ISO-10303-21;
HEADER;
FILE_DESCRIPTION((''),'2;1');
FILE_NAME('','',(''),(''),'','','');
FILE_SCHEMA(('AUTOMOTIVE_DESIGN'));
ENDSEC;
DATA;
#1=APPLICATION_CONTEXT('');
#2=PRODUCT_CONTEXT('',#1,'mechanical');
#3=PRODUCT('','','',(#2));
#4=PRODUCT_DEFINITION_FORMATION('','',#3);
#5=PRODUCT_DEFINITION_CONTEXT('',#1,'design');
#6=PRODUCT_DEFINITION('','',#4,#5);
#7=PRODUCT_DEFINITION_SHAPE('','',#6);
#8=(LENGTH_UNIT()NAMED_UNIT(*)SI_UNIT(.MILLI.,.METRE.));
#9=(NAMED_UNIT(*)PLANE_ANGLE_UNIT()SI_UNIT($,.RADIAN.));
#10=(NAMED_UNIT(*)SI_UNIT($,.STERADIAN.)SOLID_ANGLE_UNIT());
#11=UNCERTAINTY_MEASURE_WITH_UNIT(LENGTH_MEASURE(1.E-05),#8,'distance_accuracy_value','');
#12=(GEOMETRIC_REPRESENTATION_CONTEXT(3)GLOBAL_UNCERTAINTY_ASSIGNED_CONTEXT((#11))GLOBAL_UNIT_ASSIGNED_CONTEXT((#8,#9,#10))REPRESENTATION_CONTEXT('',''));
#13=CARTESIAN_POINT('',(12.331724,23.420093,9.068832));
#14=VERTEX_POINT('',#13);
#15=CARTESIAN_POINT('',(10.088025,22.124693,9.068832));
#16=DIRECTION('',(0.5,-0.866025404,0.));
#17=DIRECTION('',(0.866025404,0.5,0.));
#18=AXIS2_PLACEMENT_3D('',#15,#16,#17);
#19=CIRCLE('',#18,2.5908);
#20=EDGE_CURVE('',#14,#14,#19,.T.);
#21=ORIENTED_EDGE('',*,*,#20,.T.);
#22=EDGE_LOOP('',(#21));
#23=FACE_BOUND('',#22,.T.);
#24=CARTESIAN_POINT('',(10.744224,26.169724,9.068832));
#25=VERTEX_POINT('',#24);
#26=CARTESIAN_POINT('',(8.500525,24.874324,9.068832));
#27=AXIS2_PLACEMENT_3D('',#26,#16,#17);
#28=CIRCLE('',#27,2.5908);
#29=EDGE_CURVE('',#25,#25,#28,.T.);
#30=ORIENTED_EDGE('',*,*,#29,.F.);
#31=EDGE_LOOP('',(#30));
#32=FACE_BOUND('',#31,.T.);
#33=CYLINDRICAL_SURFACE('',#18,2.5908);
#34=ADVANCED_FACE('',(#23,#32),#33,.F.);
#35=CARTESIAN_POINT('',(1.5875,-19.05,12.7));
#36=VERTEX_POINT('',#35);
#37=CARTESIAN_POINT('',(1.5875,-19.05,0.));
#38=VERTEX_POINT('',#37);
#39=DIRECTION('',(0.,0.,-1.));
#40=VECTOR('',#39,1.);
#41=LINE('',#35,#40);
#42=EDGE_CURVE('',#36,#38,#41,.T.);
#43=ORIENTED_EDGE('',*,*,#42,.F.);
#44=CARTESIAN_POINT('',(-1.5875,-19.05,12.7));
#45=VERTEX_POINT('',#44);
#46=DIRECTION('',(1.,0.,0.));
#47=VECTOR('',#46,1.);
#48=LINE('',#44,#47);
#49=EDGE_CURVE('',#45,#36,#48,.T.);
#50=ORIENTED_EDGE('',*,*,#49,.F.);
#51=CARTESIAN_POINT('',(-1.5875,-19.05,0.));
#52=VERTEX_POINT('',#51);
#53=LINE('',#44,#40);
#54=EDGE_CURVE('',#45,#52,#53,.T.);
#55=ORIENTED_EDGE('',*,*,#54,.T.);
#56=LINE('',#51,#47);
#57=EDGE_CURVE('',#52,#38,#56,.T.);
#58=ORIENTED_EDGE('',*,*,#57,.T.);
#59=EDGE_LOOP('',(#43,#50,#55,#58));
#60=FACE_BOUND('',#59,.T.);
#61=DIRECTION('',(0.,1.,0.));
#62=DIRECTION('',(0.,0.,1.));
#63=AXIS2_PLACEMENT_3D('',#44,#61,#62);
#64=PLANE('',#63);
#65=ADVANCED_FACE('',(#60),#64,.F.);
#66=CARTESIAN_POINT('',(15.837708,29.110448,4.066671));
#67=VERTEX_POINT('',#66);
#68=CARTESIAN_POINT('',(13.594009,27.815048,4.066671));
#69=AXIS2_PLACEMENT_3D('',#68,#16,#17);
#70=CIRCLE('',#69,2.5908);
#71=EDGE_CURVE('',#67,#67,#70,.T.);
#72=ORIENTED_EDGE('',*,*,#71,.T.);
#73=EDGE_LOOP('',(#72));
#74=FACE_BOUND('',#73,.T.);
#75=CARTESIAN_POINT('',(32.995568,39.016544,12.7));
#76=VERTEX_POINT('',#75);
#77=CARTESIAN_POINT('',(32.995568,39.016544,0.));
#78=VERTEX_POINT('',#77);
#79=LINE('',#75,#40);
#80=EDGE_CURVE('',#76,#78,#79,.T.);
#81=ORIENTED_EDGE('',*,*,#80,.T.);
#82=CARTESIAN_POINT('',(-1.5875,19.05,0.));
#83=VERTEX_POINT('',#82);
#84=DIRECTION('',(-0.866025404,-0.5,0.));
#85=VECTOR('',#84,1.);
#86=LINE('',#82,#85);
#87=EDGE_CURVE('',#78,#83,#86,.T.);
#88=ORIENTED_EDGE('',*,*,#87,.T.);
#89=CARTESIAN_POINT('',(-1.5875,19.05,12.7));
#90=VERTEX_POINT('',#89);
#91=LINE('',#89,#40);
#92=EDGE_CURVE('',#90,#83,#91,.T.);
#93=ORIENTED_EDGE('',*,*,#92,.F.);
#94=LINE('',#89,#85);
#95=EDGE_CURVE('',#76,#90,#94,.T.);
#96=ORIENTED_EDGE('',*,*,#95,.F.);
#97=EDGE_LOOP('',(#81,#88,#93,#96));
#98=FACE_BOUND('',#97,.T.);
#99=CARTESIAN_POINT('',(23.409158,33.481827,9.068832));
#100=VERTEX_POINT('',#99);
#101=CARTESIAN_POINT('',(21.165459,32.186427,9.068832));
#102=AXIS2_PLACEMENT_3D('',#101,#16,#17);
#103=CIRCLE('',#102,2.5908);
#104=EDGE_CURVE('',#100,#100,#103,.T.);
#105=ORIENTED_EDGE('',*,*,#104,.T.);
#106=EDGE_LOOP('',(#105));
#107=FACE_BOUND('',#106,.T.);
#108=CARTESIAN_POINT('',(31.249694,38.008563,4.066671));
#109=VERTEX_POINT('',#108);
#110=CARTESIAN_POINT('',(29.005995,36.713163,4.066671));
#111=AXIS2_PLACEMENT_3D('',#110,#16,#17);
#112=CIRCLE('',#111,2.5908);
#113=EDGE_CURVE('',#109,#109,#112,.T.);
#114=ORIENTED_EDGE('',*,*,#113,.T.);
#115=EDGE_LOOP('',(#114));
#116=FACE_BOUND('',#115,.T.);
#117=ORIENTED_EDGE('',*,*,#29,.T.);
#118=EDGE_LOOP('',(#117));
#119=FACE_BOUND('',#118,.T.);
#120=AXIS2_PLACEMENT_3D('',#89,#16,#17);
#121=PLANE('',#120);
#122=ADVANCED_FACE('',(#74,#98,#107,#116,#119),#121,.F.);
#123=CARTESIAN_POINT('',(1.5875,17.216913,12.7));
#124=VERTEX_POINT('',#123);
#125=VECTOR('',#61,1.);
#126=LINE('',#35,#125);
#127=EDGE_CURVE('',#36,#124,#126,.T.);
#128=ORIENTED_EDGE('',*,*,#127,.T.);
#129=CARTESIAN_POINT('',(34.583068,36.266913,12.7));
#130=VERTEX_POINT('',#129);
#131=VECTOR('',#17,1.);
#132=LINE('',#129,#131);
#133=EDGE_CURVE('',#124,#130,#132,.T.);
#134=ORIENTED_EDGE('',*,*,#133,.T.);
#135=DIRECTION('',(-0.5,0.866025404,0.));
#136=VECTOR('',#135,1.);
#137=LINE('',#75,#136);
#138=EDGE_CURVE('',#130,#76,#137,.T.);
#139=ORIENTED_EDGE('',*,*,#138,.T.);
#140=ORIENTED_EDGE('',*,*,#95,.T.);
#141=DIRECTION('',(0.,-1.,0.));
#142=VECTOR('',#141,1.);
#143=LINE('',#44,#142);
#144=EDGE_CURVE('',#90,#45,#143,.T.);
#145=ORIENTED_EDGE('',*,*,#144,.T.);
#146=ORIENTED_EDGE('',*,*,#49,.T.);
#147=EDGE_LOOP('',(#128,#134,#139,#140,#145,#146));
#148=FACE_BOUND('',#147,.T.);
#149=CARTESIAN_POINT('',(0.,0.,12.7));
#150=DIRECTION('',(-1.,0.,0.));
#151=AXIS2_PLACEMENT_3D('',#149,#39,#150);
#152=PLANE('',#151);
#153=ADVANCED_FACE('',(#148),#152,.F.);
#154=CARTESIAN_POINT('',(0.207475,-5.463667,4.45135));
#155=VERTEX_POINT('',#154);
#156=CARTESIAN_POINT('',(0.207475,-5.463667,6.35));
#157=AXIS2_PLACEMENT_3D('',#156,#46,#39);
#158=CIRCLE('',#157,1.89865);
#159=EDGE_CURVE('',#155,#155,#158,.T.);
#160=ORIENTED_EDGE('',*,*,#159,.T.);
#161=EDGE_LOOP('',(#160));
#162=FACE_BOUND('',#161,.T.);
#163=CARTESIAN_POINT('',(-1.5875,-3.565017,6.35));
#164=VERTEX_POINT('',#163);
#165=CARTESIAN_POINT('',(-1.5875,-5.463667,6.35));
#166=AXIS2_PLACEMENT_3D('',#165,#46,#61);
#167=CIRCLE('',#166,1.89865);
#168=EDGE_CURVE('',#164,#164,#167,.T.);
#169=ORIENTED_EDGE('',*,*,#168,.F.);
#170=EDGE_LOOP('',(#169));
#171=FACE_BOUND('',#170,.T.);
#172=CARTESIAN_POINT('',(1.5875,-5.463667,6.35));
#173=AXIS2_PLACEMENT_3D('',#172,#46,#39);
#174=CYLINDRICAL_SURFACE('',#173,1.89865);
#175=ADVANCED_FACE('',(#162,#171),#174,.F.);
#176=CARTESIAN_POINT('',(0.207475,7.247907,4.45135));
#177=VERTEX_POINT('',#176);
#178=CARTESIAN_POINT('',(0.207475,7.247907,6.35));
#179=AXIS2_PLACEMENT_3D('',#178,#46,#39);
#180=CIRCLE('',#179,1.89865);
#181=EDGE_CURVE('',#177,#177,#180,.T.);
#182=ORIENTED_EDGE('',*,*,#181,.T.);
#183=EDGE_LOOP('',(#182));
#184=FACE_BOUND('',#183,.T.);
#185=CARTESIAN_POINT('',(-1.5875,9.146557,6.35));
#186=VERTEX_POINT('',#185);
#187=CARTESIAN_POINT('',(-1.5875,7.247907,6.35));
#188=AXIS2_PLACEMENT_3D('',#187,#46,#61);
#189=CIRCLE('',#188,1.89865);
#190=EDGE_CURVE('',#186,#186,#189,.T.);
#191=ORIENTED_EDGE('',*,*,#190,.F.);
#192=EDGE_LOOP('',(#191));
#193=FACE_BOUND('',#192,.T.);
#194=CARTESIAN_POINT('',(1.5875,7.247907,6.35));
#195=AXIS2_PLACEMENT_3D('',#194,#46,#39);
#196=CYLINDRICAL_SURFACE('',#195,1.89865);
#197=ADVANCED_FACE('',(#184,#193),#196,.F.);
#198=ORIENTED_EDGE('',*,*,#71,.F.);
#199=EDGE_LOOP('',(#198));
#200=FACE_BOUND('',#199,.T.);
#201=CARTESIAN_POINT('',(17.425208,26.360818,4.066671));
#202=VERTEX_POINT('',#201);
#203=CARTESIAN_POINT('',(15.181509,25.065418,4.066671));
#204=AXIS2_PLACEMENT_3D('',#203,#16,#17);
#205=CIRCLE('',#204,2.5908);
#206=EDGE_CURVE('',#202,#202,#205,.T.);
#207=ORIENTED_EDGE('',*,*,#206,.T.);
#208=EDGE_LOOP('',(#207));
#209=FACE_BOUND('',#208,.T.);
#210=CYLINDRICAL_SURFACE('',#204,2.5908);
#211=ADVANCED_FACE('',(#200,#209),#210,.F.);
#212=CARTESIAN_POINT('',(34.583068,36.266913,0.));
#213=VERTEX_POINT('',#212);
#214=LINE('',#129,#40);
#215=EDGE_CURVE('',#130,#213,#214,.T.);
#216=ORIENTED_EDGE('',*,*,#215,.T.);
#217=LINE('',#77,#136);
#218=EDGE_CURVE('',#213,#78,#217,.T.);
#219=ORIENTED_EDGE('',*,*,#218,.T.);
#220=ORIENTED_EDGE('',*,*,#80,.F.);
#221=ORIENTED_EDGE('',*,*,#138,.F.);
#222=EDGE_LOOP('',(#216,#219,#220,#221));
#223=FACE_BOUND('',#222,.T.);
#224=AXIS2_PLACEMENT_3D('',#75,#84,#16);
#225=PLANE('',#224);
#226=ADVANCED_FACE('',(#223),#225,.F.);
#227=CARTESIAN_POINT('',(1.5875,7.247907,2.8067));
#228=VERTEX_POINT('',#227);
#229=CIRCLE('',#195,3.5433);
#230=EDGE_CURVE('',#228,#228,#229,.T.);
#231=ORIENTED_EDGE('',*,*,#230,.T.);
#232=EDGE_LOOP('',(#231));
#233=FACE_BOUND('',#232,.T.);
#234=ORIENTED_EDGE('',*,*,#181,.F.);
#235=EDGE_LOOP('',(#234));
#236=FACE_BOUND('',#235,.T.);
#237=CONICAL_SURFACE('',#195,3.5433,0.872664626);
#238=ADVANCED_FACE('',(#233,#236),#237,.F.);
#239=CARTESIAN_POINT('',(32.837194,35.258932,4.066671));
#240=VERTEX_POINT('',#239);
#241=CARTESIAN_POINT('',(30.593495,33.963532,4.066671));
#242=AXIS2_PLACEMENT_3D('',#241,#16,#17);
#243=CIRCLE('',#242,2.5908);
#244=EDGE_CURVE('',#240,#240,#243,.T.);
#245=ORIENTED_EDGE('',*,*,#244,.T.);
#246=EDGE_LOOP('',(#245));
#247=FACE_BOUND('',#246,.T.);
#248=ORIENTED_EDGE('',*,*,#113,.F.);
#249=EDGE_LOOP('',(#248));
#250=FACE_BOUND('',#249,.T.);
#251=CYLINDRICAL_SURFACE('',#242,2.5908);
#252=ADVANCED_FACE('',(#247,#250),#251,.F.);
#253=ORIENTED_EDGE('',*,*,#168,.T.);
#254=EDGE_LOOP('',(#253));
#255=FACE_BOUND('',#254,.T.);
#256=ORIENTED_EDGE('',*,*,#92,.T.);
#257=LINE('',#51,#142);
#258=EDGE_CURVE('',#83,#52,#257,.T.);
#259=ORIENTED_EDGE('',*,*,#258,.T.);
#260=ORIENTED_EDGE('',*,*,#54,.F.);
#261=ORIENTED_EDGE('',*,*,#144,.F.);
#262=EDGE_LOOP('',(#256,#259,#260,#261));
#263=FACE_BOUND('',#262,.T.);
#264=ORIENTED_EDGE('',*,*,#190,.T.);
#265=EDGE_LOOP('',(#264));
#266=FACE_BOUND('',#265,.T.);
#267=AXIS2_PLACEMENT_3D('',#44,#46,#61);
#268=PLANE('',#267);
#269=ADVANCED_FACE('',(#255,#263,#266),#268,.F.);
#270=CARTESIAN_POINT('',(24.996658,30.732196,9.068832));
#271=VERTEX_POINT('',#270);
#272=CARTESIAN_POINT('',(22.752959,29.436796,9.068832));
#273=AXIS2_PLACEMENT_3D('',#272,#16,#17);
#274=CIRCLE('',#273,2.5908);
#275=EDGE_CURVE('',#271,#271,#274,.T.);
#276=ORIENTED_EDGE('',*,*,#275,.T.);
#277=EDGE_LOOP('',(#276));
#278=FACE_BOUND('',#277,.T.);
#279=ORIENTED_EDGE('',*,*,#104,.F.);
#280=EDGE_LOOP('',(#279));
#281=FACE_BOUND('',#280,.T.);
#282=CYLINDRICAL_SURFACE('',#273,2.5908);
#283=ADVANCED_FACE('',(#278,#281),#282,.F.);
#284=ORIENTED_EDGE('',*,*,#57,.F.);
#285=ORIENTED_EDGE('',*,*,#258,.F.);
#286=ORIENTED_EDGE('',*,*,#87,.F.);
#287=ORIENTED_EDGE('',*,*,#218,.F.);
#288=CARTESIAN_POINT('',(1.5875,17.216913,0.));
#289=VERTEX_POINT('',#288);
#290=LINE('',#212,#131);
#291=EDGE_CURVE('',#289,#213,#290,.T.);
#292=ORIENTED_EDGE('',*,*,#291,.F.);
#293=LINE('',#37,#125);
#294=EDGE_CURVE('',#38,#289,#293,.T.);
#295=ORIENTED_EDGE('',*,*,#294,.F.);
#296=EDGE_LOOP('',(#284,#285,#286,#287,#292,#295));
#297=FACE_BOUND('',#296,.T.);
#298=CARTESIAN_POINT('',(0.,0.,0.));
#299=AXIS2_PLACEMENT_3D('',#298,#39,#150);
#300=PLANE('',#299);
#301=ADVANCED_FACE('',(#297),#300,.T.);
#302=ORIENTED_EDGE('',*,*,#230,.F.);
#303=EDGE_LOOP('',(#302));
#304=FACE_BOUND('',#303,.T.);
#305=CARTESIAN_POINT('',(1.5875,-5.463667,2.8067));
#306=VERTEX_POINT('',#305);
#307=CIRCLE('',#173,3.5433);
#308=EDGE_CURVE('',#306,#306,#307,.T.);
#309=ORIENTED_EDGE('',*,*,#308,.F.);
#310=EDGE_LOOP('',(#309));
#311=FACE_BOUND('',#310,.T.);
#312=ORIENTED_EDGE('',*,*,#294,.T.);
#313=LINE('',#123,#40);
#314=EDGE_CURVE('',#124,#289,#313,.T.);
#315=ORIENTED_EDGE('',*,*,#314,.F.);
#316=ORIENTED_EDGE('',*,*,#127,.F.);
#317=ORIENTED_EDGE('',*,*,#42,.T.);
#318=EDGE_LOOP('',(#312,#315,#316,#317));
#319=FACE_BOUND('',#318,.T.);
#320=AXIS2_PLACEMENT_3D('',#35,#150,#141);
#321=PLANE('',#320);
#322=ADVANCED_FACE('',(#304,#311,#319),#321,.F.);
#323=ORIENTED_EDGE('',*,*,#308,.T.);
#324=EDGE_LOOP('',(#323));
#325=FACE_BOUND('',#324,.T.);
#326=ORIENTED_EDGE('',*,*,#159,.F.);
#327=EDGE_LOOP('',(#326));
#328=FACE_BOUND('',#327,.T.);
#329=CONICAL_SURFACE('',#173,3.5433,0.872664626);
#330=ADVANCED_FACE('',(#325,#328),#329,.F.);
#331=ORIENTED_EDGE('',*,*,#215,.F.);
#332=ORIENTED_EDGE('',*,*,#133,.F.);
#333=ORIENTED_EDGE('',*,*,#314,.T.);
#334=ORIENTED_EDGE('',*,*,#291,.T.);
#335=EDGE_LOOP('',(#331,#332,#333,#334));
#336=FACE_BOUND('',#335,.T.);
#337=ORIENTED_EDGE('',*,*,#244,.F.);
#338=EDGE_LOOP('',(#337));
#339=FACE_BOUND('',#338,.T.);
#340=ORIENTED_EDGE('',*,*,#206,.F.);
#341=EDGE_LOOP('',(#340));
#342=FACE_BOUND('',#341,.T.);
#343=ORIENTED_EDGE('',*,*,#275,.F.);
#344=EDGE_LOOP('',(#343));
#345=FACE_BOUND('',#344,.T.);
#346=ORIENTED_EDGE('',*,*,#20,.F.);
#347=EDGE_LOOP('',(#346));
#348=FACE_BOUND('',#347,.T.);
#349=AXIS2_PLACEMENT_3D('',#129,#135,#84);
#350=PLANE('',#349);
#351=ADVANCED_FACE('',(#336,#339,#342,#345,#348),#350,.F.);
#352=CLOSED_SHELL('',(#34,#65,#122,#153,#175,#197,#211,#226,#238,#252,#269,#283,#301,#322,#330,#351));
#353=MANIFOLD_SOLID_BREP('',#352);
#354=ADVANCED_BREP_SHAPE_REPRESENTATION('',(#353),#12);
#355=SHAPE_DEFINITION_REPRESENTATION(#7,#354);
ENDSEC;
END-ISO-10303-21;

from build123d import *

# Parameters (mm, degrees)
BOSS_EXTRUDE1_DEPTH                               = 12.7
CSK_FOR_6_FLAT_HEAD_MACHINE_SCREW_100_D           = 3.7973
CSK_FOR_6_FLAT_HEAD_MACHINE_SCREW_100_DEPTH       = 12.7
CSK_FOR_6_FLAT_HEAD_MACHINE_SCREW_100_CSINK_D     = 7.0866
CSK_FOR_6_FLAT_HEAD_MACHINE_SCREW_100_CSINK_ANGLE = 100
CSK_FOR_6_FLAT_HEAD_MACHINE_SCREW_100_TIP         = 1.140824014
F_6_0_204_DIAMETER_HOLE1_D                        = 5.1816
F_6_0_204_DIAMETER_HOLE1_DEPTH                    = 12.7
F_6_0_204_DIAMETER_HOLE1_TIP                      = 1.556709692


with BuildPart() as part:
    # Sketch1 → Boss-Extrude1 (new body)
    with BuildSketch(Plane.XY):
        Polygon((-1.5875, 19.05), (32.995567884, 39.016543552), (34.583067884, 36.266912895), (1.5875, 17.216912895), (1.5875, -19.05), (-1.5875, -19.05), align=None)
    extrude(amount=BOSS_EXTRUDE1_DEPTH)

    # CSK for #6 Flat Head Machine Screw (100)1
    with Locations(Plane(origin=(1.5875, 0, 0), x_dir=(0, 0, -1), z_dir=(1, 0, 0))):
        with Locations((-6.35, 7.247907124), (-6.35, -5.463667213)):
            CounterSinkHole(CSK_FOR_6_FLAT_HEAD_MACHINE_SCREW_100_D / 2, CSK_FOR_6_FLAT_HEAD_MACHINE_SCREW_100_CSINK_D / 2, depth=CSK_FOR_6_FLAT_HEAD_MACHINE_SCREW_100_DEPTH, counter_sink_angle=CSK_FOR_6_FLAT_HEAD_MACHINE_SCREW_100_CSINK_ANGLE)
            with Locations((0, 0, -(CSK_FOR_6_FLAT_HEAD_MACHINE_SCREW_100_DEPTH + CSK_FOR_6_FLAT_HEAD_MACHINE_SCREW_100_TIP / 2))):  # 118° drill point
                Cone(0, CSK_FOR_6_FLAT_HEAD_MACHINE_SCREW_100_D / 2, CSK_FOR_6_FLAT_HEAD_MACHINE_SCREW_100_TIP, mode=Mode.SUBTRACT)

    # #6 (0.204) Diameter Hole1
    with Locations(Plane(origin=(-7.058266971, 12.225277007, 0), x_dir=(-0.866025404, -0.5, 0), z_dir=(0.5, -0.866025404, 0))):
        with Locations((-43.476510232, -4.066670618), (-34.423038878, -9.068831988), (-25.680281164, -4.066670618), (-19.798832438, -9.068831988)):
            Hole(F_6_0_204_DIAMETER_HOLE1_D / 2, depth=F_6_0_204_DIAMETER_HOLE1_DEPTH)
            with Locations((0, 0, -(F_6_0_204_DIAMETER_HOLE1_DEPTH + F_6_0_204_DIAMETER_HOLE1_TIP / 2))):  # 118° drill point
                Cone(0, F_6_0_204_DIAMETER_HOLE1_D / 2, F_6_0_204_DIAMETER_HOLE1_TIP, mode=Mode.SUBTRACT)


solid = part.part
